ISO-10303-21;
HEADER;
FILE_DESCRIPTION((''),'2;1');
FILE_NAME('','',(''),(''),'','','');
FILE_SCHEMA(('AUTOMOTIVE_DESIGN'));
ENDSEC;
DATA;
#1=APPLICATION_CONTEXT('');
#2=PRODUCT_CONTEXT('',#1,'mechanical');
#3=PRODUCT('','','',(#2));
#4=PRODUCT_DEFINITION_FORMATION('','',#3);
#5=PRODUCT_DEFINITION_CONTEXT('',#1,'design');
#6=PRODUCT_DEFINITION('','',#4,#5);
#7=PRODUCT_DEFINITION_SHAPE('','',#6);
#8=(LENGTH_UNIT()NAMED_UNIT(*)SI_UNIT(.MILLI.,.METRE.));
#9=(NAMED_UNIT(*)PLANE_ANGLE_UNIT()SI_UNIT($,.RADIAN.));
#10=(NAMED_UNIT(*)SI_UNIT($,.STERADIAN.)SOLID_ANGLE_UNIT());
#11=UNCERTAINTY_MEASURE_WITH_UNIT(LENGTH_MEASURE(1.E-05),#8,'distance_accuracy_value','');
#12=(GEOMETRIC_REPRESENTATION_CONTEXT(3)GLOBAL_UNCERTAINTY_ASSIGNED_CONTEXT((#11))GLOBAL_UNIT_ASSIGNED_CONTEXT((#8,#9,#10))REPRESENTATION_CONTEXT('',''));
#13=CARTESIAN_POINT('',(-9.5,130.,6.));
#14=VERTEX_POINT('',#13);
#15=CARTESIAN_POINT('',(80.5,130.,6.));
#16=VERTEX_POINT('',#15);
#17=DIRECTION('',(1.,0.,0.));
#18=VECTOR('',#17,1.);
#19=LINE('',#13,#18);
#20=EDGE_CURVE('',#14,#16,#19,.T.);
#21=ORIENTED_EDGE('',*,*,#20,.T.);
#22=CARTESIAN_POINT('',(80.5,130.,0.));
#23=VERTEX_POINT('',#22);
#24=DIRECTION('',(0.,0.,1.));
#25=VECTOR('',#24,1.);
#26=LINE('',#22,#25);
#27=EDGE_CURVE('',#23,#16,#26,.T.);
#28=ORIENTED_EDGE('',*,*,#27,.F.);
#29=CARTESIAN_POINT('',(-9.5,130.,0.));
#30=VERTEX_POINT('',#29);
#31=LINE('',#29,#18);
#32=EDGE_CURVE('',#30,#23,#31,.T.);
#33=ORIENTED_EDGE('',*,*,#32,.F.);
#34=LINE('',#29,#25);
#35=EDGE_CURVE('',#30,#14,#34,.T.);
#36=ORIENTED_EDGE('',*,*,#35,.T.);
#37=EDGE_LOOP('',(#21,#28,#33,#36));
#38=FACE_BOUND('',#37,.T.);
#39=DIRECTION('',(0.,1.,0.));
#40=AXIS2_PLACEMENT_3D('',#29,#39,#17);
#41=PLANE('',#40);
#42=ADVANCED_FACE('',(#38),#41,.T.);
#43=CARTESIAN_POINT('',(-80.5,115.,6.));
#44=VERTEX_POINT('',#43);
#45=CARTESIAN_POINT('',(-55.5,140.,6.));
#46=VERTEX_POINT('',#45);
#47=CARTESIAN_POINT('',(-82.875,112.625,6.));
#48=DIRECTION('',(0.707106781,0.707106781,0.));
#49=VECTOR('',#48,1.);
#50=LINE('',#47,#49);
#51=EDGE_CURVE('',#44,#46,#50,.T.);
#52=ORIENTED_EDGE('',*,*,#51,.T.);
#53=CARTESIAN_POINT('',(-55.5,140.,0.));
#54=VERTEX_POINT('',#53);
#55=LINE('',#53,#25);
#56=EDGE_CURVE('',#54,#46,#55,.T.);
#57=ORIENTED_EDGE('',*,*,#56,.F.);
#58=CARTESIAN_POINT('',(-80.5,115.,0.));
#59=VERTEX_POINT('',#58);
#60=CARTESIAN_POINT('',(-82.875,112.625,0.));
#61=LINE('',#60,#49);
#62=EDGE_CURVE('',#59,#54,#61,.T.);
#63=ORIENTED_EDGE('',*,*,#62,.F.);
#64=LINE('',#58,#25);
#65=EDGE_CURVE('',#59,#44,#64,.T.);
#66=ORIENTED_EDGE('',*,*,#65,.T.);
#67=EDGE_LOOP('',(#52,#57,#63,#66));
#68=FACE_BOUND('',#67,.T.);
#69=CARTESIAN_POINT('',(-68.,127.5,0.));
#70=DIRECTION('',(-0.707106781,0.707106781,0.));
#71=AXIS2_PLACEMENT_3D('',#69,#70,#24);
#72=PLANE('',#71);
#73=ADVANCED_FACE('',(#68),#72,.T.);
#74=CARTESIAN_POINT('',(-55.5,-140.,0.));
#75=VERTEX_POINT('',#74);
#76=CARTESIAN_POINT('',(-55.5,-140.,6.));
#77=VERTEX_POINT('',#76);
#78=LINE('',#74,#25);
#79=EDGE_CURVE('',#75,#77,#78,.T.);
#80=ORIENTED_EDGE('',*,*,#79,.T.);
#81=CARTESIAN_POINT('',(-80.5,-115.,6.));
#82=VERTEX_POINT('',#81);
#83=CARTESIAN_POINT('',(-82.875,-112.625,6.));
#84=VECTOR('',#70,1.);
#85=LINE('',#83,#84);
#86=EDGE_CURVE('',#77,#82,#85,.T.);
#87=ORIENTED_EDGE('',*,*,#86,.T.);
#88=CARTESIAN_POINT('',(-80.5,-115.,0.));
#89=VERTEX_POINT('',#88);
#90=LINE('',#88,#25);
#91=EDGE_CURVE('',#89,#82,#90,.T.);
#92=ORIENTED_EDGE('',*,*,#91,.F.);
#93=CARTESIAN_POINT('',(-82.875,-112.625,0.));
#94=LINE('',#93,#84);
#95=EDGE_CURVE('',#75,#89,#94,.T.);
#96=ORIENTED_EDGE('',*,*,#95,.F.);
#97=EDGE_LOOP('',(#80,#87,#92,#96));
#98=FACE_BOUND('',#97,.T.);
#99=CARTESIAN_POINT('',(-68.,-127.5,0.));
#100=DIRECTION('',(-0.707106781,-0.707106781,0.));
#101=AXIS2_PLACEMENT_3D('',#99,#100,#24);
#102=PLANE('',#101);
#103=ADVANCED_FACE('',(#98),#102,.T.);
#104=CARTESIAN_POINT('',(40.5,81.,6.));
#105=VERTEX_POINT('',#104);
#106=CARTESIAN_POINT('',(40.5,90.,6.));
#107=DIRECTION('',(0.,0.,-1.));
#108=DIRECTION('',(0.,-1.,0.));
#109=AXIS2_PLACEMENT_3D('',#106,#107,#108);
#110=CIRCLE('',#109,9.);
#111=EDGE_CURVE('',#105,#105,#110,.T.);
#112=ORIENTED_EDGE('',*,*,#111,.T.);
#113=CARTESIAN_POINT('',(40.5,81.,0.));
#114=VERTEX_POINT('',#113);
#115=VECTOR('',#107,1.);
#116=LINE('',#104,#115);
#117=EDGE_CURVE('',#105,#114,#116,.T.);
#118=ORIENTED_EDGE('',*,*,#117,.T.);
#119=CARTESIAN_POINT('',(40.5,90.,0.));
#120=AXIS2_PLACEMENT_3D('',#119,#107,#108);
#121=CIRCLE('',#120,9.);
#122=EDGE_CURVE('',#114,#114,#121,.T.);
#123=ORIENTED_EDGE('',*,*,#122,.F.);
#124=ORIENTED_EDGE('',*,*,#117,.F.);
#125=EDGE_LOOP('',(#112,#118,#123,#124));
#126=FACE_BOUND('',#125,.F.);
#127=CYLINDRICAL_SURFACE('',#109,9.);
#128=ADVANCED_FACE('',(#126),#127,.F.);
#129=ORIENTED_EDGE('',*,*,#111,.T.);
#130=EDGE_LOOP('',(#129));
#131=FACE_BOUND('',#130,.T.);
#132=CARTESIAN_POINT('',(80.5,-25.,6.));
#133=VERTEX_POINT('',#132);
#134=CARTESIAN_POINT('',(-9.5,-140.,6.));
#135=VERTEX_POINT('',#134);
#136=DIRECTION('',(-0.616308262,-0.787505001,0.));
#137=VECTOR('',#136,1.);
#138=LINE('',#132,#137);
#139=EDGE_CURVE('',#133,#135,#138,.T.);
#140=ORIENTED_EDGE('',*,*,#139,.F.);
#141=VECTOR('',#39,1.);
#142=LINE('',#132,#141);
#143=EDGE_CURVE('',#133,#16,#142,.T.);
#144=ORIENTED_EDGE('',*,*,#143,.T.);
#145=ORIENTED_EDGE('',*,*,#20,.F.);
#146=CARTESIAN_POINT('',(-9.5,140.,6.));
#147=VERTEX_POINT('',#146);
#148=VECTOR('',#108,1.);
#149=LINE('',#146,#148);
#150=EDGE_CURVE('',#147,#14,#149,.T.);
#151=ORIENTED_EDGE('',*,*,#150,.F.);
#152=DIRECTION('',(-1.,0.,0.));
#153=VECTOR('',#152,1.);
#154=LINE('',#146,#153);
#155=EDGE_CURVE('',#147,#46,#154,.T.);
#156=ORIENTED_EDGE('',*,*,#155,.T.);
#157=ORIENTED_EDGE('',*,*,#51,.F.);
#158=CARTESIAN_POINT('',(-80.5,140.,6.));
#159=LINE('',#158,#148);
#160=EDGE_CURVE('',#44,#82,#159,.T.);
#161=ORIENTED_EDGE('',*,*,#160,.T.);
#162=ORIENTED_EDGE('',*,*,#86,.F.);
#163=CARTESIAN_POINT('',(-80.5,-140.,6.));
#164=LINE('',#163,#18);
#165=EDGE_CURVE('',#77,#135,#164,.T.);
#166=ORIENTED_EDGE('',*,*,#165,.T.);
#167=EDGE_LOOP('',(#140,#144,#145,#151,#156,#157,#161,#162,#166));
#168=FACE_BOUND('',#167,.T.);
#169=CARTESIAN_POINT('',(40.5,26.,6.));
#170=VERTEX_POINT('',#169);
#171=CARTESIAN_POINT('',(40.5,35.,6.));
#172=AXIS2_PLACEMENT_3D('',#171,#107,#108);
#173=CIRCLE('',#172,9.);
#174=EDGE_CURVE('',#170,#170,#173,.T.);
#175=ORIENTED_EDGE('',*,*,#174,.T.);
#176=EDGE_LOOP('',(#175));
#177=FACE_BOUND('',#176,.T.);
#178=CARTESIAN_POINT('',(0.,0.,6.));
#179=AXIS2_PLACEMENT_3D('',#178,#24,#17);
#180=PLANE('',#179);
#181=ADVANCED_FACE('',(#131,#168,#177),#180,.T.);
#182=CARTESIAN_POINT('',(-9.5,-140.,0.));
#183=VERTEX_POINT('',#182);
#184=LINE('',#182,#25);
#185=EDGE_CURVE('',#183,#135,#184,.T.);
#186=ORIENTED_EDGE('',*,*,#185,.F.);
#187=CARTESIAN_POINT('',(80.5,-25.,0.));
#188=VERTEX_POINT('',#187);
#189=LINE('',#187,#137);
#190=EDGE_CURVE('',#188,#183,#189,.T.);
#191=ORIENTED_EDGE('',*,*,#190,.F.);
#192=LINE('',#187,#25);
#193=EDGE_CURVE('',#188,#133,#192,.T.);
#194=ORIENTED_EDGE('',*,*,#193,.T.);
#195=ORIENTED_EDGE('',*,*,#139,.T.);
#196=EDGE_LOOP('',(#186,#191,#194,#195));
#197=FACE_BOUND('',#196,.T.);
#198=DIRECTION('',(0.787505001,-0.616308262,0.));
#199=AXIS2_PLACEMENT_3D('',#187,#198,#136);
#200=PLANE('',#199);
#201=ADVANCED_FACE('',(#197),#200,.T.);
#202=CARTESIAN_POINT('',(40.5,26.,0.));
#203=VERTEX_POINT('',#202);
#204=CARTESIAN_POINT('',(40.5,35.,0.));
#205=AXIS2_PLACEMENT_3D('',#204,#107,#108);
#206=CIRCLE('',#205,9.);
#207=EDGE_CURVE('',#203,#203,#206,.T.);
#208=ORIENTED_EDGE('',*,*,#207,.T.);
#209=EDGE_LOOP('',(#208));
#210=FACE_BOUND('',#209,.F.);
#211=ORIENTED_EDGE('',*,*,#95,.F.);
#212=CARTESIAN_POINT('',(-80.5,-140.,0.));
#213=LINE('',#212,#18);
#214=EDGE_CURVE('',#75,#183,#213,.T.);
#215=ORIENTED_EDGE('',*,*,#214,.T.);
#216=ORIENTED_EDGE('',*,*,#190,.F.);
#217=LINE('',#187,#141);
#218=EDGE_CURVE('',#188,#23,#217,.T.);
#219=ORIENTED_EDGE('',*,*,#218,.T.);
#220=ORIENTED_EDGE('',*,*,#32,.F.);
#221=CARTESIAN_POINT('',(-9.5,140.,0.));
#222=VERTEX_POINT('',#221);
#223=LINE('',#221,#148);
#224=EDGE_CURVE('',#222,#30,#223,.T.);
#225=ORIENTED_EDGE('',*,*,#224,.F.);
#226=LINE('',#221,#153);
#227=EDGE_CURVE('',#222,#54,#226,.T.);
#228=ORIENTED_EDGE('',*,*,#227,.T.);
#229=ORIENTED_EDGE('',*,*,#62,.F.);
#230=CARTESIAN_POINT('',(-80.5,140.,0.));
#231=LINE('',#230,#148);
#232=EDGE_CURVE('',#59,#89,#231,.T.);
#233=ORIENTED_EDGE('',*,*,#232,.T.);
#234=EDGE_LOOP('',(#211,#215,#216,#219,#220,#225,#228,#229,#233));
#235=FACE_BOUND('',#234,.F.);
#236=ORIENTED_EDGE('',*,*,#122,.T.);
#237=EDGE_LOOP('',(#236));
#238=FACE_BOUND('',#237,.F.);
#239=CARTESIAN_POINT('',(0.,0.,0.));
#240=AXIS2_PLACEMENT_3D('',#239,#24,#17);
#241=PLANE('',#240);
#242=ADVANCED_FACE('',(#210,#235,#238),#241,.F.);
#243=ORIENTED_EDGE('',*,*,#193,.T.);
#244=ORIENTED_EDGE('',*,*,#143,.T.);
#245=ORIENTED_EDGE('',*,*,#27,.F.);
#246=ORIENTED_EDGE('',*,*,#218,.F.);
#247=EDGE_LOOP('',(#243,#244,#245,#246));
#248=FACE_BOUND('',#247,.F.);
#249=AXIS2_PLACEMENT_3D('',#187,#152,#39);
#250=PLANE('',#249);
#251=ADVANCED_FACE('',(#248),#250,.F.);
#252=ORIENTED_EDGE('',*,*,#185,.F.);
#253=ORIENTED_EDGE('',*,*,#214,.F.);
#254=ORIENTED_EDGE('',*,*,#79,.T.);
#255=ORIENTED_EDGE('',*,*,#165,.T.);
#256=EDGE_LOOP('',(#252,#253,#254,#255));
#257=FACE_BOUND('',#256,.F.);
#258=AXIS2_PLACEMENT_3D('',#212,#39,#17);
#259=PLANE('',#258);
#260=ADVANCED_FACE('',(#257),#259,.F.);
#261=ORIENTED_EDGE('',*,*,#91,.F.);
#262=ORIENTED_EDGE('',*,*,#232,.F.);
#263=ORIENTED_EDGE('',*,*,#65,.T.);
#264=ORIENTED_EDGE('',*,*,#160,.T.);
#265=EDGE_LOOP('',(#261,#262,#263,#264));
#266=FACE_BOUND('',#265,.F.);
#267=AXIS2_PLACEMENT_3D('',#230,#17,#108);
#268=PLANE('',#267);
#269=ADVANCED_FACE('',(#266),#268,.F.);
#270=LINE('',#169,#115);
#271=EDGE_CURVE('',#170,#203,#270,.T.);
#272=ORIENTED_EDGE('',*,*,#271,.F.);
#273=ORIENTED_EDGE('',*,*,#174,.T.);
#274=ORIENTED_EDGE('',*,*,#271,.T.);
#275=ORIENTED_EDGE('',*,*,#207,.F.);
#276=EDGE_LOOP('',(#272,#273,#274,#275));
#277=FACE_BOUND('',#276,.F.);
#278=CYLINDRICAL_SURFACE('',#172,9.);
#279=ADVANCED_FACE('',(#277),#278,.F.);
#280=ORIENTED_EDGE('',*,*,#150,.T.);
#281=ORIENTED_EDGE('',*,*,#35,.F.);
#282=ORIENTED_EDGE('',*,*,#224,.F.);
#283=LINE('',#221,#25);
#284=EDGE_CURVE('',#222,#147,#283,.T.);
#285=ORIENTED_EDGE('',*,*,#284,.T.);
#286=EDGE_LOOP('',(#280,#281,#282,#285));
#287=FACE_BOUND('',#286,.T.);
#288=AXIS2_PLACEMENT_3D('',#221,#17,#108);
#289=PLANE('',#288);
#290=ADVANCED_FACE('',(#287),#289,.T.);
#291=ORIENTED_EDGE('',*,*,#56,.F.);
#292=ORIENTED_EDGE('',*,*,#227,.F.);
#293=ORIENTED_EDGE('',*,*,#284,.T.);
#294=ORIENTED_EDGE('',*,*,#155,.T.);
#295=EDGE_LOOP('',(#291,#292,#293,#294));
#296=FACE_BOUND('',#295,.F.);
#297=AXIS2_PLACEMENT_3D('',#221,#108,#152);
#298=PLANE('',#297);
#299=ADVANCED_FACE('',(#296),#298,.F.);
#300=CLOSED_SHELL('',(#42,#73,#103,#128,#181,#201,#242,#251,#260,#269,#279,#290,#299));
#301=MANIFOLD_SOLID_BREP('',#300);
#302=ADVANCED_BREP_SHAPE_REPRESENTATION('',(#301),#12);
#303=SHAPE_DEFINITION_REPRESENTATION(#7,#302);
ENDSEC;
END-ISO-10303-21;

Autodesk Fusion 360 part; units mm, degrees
sketch "スケッチ1" plane through (0, 0, 0) normal (0, 0, 1) x (1, 0, 0)
  line L0 (-9.5, 140) -> (-80.5, 140)
  line L1 (-80.5, 140) -> (-80.5, -140)
  line L2 (-80.5, -140) -> (-9.5, -140)
  line L3 (80.5, -25) -> (80.5, 130)
  line L4 (74.75, 130) -> (-80.5, -140) construction
  line L5 (-80.5, 140) -> (42.3815, -73.707) construction
  line L6 (-9.5, 140) -> (-9.5, 130)
  line L7 (-9.5, 130) -> (80.5, 130)
  line L8 (-80.5, -140) -> (-9.5, -140) construction
  line L9 (80.5, -25) -> (-9.5, -140)
  dimension "d2" = 280
  dimension "d5" = 71
extrude "押し出し1" add sketch "スケッチ1" along normal blind 6
chamfer "面取り1" distance 25 angle 45 2 edges at (-80.5, -140, 3) (-80.5, 140, 3)
sketch "スケッチ2" plane through (0, 0, 6) normal (0, 0, 1) x (-1, 0, 0)
  line L0 (55.5, -140) -> (80.5, -115)
  line L1 (80.5, -115) -> (80.5, 115)
  line L2 (80.5, 115) -> (55.5, 140)
  line L3 (55.5, 140) -> (9.5, 140)
  line L4 (9.5, 140) -> (-80.5, 25)
  line L5 (-80.5, 25) -> (-80.5, -130)
  line L6 (-80.5, -130) -> (9.5, -130)
  line L7 (9.5, -130) -> (9.5, -140)
  line L8 (9.5, -140) -> (55.5, -140)
  line L9 (-80.5, -130) -> (-40.5, -130) construction
  line L10 (-40.5, -130) -> (-40.5, -90) construction
  line L11 (-40.5, -90) -> (-80.5, -90) construction
  line L12 (-80.5, -90) -> (-80.5, -130) construction
  line L13 (-40.5, -90) -> (-40.5, -35) construction
  point P0 (-40.5, -90)
  point P1 (-40.5, -35)
  dimension "d10" = 40
  dimension "d11" = 40
  dimension "d12" = 55
hole "穴1" at (40.5, 90, 6) at (40.5, 35, 6) direction (0, 0, -1) diameter 18 end through all
equation "d5 = 25 mm + 46 mm"
